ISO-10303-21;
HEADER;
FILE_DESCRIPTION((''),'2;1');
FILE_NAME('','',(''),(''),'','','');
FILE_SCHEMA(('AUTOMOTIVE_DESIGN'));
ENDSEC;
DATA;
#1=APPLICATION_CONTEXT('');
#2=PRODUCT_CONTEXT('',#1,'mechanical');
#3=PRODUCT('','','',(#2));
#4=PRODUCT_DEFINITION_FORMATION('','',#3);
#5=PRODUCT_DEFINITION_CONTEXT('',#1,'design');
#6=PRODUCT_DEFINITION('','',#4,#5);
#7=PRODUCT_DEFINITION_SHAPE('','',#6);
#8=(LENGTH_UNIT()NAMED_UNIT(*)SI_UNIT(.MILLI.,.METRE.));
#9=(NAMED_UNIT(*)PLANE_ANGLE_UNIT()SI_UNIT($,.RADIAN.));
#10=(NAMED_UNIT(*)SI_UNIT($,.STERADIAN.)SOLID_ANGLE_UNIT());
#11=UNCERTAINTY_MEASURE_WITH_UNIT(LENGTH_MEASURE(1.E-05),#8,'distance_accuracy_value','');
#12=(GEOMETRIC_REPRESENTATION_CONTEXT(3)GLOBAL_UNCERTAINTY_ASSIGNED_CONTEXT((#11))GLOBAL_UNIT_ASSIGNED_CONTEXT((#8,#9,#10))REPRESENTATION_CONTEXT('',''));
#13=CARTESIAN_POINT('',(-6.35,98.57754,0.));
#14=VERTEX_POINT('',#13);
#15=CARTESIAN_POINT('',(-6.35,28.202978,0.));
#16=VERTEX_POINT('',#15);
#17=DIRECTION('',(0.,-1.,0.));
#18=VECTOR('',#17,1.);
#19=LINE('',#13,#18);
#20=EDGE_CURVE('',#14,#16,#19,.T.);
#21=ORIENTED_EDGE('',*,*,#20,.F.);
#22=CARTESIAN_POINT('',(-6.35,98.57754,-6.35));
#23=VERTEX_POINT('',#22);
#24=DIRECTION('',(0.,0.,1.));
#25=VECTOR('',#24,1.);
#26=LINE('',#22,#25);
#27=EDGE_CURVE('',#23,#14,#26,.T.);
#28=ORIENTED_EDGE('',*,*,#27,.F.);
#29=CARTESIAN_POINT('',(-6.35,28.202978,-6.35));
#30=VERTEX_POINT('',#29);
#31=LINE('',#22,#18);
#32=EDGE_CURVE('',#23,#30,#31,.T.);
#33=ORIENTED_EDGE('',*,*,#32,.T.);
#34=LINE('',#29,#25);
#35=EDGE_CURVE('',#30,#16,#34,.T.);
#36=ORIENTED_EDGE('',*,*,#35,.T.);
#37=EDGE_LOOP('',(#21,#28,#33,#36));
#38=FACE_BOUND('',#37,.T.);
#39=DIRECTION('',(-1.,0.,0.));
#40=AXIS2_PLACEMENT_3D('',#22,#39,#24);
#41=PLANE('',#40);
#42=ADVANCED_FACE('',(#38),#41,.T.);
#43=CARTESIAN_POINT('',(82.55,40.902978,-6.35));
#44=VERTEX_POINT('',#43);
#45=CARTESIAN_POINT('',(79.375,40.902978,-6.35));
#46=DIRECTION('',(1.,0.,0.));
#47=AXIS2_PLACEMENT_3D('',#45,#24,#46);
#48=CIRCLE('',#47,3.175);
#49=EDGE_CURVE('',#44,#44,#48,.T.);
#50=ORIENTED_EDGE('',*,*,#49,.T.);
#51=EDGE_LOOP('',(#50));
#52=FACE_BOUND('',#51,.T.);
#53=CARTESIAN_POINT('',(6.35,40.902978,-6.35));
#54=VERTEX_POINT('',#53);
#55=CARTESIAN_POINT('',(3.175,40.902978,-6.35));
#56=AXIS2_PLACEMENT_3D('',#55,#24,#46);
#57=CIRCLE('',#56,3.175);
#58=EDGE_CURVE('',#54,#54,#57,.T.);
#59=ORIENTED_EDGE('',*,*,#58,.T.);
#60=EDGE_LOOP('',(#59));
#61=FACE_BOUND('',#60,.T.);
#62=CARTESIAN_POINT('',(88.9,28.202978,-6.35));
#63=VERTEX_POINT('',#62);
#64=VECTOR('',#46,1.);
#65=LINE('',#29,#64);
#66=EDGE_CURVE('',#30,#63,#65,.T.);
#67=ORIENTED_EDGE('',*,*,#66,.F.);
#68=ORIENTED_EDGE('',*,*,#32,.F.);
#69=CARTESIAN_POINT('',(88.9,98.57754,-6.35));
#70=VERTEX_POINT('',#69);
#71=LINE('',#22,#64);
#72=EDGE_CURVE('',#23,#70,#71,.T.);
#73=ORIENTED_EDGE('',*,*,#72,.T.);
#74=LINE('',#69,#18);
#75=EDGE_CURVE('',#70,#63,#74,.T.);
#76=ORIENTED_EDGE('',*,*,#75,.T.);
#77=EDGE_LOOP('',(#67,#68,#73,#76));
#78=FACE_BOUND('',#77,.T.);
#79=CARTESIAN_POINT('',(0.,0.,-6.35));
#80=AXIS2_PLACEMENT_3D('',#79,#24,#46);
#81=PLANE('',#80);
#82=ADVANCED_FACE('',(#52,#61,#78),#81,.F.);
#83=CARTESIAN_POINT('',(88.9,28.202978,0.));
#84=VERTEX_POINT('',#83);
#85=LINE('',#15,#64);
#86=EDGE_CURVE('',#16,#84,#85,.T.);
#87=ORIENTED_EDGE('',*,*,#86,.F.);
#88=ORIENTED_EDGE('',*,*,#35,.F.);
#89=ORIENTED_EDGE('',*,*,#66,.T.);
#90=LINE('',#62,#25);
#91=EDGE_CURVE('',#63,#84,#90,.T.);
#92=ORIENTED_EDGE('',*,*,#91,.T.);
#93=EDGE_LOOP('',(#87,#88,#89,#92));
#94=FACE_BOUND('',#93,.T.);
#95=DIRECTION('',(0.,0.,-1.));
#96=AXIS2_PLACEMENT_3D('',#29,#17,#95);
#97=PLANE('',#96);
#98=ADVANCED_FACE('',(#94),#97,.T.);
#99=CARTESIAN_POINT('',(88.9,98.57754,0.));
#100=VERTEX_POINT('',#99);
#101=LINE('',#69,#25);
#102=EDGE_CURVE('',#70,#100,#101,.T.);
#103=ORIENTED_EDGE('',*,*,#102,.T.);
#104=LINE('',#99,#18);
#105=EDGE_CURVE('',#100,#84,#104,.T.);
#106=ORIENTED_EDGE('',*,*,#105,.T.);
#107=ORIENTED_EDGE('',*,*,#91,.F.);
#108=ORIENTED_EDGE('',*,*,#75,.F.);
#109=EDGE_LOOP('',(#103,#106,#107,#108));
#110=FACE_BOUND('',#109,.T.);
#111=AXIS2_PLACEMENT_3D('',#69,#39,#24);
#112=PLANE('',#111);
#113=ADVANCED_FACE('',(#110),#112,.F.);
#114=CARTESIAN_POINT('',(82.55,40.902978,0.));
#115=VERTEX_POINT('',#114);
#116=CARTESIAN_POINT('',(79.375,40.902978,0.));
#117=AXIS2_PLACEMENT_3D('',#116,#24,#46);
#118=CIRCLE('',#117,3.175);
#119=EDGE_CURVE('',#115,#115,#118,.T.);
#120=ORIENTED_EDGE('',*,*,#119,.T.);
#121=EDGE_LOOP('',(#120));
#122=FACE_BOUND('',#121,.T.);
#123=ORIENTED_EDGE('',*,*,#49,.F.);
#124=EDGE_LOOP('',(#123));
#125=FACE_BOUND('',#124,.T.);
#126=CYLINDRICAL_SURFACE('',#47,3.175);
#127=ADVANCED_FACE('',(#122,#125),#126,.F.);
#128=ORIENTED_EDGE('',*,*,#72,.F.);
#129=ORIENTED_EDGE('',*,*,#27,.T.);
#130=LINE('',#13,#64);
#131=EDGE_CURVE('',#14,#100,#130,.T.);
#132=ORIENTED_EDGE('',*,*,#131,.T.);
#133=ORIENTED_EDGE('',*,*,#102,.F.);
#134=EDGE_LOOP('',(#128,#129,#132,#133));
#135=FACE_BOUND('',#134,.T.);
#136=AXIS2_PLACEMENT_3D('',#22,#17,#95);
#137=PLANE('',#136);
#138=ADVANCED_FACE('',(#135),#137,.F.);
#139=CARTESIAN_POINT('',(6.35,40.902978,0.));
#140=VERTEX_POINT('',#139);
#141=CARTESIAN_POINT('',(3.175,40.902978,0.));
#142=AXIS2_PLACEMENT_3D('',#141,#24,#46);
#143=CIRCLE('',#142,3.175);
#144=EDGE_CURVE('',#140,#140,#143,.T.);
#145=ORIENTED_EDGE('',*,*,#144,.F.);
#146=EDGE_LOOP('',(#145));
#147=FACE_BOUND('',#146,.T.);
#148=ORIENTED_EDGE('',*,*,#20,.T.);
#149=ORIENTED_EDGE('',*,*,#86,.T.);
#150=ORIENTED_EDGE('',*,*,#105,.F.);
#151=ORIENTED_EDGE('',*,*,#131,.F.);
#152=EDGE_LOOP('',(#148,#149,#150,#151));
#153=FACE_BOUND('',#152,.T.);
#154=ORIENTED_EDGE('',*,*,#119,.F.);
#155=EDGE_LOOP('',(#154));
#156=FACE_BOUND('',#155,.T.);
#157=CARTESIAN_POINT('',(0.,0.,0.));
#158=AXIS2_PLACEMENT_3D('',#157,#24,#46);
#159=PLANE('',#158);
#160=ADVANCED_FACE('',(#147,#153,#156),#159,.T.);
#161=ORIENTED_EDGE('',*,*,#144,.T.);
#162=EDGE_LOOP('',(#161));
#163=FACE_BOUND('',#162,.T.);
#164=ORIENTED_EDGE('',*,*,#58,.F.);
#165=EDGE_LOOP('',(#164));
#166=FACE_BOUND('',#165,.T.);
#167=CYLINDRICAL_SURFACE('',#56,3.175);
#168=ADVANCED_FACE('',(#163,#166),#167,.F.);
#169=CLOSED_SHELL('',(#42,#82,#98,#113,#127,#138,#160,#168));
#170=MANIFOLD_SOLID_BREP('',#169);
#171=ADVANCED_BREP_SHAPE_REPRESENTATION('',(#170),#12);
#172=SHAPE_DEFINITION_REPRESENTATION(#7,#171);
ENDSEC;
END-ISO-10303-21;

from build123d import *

# Parameters (mm, degrees)
SKETCH1_W           = 95.25
SKETCH1_H           = 70.374561309
BOSS_EXTRUDE1_DEPTH = 6.35
SKETCH2_R           = 3.175
CUT_EXTRUDE1_DEPTH  = 6.35


with BuildPart() as part:
    # Sketch1 → Boss-Extrude1 (new body)
    with BuildSketch(Plane.XY):
        with Locations((41.275, 63.390258975)):
            Rectangle(SKETCH1_W, SKETCH1_H)
    extrude(amount=-BOSS_EXTRUDE1_DEPTH)

    # Sketch2 → Cut-Extrude1 (cut)
    with BuildSketch(Plane.XY):
        with Locations((79.375, 40.90297832)):
            Circle(SKETCH2_R)
        with Locations((3.175, 40.90297832)):
            Circle(SKETCH2_R)
    extrude(amount=-CUT_EXTRUDE1_DEPTH, mode=Mode.SUBTRACT)


solid = part.part
